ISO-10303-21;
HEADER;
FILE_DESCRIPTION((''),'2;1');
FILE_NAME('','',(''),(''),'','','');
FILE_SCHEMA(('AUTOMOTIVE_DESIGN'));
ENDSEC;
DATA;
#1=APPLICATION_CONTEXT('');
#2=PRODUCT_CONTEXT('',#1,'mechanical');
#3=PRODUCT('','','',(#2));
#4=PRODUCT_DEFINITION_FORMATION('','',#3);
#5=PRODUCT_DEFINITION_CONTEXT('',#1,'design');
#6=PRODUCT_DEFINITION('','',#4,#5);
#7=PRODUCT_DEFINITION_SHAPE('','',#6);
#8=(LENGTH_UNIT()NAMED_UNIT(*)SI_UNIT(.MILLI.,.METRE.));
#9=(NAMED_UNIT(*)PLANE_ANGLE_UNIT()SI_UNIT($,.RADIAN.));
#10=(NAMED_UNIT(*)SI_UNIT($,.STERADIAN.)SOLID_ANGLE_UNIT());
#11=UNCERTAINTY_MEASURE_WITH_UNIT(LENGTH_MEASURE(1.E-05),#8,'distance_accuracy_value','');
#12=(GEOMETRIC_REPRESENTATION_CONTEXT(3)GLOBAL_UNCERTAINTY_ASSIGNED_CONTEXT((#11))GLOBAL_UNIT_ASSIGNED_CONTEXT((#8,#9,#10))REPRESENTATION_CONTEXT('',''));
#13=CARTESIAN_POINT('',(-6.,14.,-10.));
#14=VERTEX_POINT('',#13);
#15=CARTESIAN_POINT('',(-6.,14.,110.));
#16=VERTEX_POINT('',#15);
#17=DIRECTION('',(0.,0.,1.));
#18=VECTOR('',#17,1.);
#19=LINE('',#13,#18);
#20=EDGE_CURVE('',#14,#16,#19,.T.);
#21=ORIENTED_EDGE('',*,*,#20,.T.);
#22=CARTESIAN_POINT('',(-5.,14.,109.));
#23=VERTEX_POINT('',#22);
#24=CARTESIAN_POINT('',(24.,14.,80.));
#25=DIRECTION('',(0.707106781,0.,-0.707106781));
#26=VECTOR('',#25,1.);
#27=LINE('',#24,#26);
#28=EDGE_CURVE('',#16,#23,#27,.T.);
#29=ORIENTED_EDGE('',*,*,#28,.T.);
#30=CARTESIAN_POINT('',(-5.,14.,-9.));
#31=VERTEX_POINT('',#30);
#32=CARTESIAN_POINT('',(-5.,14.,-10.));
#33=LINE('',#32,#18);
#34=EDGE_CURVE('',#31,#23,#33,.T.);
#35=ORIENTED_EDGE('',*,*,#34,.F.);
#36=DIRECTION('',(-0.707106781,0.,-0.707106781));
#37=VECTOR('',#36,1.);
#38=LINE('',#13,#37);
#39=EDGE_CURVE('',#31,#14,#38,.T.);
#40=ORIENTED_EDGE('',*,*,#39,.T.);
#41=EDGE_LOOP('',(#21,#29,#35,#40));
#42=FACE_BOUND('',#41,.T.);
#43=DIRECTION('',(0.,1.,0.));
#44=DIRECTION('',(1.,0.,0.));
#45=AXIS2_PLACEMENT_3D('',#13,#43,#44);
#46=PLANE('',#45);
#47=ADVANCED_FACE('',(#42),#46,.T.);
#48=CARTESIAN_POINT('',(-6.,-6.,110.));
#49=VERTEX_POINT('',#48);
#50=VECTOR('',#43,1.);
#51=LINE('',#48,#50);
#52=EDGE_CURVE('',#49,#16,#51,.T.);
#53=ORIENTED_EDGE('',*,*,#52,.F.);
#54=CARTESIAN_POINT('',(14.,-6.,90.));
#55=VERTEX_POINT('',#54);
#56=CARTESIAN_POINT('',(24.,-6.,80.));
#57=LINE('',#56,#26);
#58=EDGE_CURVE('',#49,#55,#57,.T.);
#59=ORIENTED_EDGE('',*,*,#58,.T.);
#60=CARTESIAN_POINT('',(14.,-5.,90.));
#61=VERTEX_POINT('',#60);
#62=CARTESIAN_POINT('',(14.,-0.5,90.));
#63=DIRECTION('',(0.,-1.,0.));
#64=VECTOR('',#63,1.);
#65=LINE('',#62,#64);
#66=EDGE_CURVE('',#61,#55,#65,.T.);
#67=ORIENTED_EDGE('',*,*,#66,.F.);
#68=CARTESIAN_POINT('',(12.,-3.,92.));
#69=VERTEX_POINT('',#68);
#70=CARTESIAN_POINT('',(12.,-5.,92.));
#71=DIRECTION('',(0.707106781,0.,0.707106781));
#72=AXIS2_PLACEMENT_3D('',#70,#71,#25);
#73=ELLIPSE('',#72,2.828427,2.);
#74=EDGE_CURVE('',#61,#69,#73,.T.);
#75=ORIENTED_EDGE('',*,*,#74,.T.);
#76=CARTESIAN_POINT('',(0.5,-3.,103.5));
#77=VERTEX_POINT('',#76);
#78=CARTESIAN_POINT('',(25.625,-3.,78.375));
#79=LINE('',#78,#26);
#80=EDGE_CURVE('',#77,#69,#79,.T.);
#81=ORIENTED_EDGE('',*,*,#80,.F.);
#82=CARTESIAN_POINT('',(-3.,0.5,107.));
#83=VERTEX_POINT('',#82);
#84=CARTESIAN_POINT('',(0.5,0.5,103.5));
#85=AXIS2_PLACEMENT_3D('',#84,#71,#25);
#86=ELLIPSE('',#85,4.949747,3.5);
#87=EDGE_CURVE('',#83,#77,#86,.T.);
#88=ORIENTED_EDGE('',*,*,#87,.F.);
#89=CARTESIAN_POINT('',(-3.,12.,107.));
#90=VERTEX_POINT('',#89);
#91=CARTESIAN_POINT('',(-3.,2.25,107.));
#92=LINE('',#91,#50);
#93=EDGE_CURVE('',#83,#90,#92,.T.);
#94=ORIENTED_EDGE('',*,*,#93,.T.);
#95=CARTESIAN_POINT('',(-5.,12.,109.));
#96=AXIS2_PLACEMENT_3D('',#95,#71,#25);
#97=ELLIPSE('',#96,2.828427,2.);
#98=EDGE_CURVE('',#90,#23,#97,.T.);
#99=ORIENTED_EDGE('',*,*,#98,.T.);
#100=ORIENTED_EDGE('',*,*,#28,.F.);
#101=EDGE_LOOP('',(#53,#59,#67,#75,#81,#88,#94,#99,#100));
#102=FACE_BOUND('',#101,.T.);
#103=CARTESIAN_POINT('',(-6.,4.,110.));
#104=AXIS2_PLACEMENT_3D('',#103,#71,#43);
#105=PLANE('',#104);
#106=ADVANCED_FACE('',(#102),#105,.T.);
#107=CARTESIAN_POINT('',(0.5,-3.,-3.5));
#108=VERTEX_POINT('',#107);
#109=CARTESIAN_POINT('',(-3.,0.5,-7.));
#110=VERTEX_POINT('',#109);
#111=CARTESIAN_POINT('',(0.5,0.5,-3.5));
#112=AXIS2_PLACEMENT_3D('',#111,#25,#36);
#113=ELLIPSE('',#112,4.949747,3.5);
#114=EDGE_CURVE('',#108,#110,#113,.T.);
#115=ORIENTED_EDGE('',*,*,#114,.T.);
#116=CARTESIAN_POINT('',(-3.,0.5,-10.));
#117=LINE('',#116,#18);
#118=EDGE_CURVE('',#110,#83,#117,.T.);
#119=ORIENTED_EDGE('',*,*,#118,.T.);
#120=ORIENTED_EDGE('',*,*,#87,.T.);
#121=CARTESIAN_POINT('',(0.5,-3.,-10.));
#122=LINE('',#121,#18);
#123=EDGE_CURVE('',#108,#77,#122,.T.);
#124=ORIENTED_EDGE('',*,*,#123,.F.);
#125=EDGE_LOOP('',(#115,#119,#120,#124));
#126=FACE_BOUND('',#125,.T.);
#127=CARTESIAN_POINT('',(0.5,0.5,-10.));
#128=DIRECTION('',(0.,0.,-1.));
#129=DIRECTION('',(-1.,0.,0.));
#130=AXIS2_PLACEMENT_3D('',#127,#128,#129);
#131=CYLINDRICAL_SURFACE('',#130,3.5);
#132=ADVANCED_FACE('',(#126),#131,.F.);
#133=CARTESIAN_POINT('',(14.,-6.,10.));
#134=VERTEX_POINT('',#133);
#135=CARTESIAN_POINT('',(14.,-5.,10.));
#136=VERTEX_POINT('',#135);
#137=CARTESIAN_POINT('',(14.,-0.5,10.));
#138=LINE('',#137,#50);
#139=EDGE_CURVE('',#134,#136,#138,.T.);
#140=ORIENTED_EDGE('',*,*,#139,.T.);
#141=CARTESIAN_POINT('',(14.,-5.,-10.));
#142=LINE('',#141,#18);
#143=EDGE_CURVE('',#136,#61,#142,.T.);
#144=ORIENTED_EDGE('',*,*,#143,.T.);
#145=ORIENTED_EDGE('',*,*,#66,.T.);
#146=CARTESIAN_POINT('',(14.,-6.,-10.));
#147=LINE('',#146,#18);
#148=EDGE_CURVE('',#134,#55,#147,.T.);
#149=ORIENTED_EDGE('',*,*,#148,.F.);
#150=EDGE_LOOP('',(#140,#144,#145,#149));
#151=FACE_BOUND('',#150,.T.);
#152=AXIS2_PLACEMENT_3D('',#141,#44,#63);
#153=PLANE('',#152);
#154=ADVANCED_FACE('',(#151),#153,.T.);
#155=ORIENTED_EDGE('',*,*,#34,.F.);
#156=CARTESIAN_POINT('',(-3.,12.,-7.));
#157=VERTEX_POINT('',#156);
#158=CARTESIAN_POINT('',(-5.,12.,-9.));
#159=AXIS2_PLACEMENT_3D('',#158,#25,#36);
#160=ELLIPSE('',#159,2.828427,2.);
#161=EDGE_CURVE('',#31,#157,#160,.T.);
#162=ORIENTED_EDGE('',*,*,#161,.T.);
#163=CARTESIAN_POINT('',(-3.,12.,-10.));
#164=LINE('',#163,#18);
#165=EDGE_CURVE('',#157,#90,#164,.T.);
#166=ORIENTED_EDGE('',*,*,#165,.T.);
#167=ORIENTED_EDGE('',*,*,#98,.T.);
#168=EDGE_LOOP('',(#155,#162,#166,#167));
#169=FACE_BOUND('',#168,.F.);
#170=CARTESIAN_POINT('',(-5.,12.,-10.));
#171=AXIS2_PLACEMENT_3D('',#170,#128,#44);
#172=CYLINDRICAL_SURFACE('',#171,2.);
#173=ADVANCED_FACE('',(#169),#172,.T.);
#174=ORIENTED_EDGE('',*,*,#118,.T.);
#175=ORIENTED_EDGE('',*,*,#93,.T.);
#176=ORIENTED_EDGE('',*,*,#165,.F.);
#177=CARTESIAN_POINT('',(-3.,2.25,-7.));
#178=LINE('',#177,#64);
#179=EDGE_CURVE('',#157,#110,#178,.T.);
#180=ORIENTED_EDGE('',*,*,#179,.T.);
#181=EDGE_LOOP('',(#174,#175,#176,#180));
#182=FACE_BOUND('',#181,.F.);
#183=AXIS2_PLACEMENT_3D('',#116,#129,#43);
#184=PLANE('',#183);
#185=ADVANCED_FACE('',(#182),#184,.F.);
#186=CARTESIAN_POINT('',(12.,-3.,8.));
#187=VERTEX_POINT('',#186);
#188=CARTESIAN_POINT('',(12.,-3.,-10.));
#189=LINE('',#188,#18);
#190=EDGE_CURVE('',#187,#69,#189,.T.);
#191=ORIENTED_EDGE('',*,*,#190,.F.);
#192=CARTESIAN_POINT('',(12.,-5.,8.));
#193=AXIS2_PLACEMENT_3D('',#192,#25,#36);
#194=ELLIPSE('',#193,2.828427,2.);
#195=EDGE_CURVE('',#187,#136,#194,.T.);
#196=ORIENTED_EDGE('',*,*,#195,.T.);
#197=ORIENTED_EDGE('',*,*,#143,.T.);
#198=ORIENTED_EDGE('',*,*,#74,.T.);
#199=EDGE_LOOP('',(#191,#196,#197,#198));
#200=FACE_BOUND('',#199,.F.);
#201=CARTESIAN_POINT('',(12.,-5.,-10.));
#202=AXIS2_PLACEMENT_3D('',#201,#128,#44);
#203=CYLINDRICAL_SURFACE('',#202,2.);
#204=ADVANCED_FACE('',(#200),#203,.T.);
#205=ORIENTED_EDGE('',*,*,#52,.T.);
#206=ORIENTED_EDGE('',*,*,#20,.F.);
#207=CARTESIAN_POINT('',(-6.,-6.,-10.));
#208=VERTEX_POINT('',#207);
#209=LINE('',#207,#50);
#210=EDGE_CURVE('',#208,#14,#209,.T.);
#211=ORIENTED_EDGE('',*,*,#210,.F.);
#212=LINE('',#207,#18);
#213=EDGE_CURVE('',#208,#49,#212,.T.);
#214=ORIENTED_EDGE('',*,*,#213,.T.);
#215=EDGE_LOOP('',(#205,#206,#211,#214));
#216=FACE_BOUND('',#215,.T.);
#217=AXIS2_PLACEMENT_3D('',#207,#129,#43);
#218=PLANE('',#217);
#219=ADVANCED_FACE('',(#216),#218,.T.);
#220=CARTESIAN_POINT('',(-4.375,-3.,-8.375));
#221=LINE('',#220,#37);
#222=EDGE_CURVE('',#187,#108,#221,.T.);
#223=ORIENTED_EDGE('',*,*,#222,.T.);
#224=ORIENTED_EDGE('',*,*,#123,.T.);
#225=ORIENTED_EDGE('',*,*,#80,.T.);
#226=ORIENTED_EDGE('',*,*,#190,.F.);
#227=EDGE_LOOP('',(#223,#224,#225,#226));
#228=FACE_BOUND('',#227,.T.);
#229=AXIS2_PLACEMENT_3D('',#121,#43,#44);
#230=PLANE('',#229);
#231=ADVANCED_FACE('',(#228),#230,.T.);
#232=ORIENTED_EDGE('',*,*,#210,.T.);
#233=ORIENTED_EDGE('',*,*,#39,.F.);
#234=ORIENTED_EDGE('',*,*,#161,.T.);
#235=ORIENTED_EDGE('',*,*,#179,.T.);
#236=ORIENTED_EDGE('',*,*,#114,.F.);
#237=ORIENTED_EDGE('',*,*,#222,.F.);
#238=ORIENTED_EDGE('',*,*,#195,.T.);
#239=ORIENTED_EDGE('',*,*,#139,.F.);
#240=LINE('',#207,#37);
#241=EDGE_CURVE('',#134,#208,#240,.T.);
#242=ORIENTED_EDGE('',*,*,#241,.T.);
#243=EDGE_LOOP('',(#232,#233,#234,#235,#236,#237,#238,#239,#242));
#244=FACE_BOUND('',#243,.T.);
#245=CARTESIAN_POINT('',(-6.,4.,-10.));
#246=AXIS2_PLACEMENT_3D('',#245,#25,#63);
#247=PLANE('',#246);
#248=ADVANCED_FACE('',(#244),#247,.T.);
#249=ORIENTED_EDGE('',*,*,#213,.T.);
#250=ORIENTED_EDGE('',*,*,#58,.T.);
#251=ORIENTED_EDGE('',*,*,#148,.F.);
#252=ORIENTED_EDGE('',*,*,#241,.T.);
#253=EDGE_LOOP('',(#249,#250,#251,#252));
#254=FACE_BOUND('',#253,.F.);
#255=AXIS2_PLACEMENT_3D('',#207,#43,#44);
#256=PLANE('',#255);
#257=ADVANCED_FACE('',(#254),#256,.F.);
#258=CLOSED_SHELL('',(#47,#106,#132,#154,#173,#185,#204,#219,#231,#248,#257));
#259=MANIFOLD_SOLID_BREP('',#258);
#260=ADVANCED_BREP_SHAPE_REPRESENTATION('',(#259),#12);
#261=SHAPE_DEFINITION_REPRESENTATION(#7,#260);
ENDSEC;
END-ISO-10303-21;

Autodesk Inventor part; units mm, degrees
ref_plane "Start plane" through (0, 0, -10) normal (0, 0, 1) x (1, 0, 0)
ref_plane "End plane" through (0, 0, 110) normal (0, 0, 1) x (1, 0, 0)
sketch "Sketch" plane through (0, 0, 0) normal (0, 0, 1) x (1, 0, 0)
  line L0 (-3, 0.5) -> (-3, 12)
  line L1 (-6, 14) -> (-5, 14)
  line L2 (-6, -6) -> (-6, 14)
  line L3 (-6, -6) -> (14, -6)
  line L4 (14, -5) -> (14, -6)
  line L5 (0.5, -3) -> (12, -3)
  arc A0 (-3, 0.5) -> (0.5, -3) centre (0.5, 0.5) ccw
  arc A1 (-3, 12) -> (-5, 14) centre (-5, 12) ccw
  arc A2 (14, -5) -> (12, -3) centre (12, -5) ccw
  line L6 (0, 18.4971) -> (0, -10.0828) construction
  line L7 (-10.0828, 0) -> (18.4971, 0) construction
  point P0 (-3, -3)
  point P1 (-3, 14)
  point P2 (14, -3)
  dimension "d4" = 20
  dimension "d6" = 20
  dimension "d8" = 3
  dimension "d10" = 3
  dimension "d17" = 3.5
  dimension "d18" = 2
  dimension "d19" = 6
  dimension "d20" = 6
extrude "Body" add sketch "Sketch" along normal up to surface (120 mm away) from surface at -10
sketch "Sketch3" plane through (0, 0, 0) normal (0, 0, 1) x (1, 0, 0)
  line L0 (0, 0) -> (10, 0)
ref_plane "Work Plane10" through (0, 0, 0) normal (0, -1, 0) x (1, 0, 0)
sketch "Sketch4" plane through (0, 0, 0) normal (0, -1, 0) x (1, 0, 0)
  line L0 (-2, -10) -> (12, -10)
  line L1 (-2, 110) -> (12, 110)
  dimension "d24" = 120
ref_plane "Work Plane11" through (-6, 4, -10) normal (0.7071, 0, -0.7071) x (-0.7071, 0, -0.7071)
split "Split1" plane through (-6, 4, -10) removes the side toward (0.7071, 0, -0.7071)
ref_plane "Work Plane12" through (-6, 4, 110) normal (0.7071, 0, 0.7071) x (0.7071, 0, -0.7071)
split "Split2" plane through (-6, 4, 110) removes the side toward (0.7071, 0, 0.7071)
equation "\"d4\" = b"
equation "\"d6\" = b"
equation "\"d8\" = ParT"
equation "\"d10\" = ParT"
equation "\"d17\" = R"
equation "\"d18\" = R1"
equation "\"d19\" = ex"
equation "\"d20\" = d19"
equation "\"d11\" = G_L"
equation "\"b\" = 20"
equation "\"ParT\" = 3"
equation "\"R\" = 3.5"
equation "\"R1\" = 2"
equation "\"G_L\" = d24"
equation "\"ex\" = 6"
equation "\"G_OFFSET_START\" = 10"
equation "\"G_OFFSET_END\" = 10"
equation "\"d21\" = -G_OFFSET_START"
equation "\"d22\" = G_OFFSET_END + B_L"
equation "\"B_L\" = 100"
properties part number "ISO 657-1 - L20x20x3-120" material "Stainless Steel"
